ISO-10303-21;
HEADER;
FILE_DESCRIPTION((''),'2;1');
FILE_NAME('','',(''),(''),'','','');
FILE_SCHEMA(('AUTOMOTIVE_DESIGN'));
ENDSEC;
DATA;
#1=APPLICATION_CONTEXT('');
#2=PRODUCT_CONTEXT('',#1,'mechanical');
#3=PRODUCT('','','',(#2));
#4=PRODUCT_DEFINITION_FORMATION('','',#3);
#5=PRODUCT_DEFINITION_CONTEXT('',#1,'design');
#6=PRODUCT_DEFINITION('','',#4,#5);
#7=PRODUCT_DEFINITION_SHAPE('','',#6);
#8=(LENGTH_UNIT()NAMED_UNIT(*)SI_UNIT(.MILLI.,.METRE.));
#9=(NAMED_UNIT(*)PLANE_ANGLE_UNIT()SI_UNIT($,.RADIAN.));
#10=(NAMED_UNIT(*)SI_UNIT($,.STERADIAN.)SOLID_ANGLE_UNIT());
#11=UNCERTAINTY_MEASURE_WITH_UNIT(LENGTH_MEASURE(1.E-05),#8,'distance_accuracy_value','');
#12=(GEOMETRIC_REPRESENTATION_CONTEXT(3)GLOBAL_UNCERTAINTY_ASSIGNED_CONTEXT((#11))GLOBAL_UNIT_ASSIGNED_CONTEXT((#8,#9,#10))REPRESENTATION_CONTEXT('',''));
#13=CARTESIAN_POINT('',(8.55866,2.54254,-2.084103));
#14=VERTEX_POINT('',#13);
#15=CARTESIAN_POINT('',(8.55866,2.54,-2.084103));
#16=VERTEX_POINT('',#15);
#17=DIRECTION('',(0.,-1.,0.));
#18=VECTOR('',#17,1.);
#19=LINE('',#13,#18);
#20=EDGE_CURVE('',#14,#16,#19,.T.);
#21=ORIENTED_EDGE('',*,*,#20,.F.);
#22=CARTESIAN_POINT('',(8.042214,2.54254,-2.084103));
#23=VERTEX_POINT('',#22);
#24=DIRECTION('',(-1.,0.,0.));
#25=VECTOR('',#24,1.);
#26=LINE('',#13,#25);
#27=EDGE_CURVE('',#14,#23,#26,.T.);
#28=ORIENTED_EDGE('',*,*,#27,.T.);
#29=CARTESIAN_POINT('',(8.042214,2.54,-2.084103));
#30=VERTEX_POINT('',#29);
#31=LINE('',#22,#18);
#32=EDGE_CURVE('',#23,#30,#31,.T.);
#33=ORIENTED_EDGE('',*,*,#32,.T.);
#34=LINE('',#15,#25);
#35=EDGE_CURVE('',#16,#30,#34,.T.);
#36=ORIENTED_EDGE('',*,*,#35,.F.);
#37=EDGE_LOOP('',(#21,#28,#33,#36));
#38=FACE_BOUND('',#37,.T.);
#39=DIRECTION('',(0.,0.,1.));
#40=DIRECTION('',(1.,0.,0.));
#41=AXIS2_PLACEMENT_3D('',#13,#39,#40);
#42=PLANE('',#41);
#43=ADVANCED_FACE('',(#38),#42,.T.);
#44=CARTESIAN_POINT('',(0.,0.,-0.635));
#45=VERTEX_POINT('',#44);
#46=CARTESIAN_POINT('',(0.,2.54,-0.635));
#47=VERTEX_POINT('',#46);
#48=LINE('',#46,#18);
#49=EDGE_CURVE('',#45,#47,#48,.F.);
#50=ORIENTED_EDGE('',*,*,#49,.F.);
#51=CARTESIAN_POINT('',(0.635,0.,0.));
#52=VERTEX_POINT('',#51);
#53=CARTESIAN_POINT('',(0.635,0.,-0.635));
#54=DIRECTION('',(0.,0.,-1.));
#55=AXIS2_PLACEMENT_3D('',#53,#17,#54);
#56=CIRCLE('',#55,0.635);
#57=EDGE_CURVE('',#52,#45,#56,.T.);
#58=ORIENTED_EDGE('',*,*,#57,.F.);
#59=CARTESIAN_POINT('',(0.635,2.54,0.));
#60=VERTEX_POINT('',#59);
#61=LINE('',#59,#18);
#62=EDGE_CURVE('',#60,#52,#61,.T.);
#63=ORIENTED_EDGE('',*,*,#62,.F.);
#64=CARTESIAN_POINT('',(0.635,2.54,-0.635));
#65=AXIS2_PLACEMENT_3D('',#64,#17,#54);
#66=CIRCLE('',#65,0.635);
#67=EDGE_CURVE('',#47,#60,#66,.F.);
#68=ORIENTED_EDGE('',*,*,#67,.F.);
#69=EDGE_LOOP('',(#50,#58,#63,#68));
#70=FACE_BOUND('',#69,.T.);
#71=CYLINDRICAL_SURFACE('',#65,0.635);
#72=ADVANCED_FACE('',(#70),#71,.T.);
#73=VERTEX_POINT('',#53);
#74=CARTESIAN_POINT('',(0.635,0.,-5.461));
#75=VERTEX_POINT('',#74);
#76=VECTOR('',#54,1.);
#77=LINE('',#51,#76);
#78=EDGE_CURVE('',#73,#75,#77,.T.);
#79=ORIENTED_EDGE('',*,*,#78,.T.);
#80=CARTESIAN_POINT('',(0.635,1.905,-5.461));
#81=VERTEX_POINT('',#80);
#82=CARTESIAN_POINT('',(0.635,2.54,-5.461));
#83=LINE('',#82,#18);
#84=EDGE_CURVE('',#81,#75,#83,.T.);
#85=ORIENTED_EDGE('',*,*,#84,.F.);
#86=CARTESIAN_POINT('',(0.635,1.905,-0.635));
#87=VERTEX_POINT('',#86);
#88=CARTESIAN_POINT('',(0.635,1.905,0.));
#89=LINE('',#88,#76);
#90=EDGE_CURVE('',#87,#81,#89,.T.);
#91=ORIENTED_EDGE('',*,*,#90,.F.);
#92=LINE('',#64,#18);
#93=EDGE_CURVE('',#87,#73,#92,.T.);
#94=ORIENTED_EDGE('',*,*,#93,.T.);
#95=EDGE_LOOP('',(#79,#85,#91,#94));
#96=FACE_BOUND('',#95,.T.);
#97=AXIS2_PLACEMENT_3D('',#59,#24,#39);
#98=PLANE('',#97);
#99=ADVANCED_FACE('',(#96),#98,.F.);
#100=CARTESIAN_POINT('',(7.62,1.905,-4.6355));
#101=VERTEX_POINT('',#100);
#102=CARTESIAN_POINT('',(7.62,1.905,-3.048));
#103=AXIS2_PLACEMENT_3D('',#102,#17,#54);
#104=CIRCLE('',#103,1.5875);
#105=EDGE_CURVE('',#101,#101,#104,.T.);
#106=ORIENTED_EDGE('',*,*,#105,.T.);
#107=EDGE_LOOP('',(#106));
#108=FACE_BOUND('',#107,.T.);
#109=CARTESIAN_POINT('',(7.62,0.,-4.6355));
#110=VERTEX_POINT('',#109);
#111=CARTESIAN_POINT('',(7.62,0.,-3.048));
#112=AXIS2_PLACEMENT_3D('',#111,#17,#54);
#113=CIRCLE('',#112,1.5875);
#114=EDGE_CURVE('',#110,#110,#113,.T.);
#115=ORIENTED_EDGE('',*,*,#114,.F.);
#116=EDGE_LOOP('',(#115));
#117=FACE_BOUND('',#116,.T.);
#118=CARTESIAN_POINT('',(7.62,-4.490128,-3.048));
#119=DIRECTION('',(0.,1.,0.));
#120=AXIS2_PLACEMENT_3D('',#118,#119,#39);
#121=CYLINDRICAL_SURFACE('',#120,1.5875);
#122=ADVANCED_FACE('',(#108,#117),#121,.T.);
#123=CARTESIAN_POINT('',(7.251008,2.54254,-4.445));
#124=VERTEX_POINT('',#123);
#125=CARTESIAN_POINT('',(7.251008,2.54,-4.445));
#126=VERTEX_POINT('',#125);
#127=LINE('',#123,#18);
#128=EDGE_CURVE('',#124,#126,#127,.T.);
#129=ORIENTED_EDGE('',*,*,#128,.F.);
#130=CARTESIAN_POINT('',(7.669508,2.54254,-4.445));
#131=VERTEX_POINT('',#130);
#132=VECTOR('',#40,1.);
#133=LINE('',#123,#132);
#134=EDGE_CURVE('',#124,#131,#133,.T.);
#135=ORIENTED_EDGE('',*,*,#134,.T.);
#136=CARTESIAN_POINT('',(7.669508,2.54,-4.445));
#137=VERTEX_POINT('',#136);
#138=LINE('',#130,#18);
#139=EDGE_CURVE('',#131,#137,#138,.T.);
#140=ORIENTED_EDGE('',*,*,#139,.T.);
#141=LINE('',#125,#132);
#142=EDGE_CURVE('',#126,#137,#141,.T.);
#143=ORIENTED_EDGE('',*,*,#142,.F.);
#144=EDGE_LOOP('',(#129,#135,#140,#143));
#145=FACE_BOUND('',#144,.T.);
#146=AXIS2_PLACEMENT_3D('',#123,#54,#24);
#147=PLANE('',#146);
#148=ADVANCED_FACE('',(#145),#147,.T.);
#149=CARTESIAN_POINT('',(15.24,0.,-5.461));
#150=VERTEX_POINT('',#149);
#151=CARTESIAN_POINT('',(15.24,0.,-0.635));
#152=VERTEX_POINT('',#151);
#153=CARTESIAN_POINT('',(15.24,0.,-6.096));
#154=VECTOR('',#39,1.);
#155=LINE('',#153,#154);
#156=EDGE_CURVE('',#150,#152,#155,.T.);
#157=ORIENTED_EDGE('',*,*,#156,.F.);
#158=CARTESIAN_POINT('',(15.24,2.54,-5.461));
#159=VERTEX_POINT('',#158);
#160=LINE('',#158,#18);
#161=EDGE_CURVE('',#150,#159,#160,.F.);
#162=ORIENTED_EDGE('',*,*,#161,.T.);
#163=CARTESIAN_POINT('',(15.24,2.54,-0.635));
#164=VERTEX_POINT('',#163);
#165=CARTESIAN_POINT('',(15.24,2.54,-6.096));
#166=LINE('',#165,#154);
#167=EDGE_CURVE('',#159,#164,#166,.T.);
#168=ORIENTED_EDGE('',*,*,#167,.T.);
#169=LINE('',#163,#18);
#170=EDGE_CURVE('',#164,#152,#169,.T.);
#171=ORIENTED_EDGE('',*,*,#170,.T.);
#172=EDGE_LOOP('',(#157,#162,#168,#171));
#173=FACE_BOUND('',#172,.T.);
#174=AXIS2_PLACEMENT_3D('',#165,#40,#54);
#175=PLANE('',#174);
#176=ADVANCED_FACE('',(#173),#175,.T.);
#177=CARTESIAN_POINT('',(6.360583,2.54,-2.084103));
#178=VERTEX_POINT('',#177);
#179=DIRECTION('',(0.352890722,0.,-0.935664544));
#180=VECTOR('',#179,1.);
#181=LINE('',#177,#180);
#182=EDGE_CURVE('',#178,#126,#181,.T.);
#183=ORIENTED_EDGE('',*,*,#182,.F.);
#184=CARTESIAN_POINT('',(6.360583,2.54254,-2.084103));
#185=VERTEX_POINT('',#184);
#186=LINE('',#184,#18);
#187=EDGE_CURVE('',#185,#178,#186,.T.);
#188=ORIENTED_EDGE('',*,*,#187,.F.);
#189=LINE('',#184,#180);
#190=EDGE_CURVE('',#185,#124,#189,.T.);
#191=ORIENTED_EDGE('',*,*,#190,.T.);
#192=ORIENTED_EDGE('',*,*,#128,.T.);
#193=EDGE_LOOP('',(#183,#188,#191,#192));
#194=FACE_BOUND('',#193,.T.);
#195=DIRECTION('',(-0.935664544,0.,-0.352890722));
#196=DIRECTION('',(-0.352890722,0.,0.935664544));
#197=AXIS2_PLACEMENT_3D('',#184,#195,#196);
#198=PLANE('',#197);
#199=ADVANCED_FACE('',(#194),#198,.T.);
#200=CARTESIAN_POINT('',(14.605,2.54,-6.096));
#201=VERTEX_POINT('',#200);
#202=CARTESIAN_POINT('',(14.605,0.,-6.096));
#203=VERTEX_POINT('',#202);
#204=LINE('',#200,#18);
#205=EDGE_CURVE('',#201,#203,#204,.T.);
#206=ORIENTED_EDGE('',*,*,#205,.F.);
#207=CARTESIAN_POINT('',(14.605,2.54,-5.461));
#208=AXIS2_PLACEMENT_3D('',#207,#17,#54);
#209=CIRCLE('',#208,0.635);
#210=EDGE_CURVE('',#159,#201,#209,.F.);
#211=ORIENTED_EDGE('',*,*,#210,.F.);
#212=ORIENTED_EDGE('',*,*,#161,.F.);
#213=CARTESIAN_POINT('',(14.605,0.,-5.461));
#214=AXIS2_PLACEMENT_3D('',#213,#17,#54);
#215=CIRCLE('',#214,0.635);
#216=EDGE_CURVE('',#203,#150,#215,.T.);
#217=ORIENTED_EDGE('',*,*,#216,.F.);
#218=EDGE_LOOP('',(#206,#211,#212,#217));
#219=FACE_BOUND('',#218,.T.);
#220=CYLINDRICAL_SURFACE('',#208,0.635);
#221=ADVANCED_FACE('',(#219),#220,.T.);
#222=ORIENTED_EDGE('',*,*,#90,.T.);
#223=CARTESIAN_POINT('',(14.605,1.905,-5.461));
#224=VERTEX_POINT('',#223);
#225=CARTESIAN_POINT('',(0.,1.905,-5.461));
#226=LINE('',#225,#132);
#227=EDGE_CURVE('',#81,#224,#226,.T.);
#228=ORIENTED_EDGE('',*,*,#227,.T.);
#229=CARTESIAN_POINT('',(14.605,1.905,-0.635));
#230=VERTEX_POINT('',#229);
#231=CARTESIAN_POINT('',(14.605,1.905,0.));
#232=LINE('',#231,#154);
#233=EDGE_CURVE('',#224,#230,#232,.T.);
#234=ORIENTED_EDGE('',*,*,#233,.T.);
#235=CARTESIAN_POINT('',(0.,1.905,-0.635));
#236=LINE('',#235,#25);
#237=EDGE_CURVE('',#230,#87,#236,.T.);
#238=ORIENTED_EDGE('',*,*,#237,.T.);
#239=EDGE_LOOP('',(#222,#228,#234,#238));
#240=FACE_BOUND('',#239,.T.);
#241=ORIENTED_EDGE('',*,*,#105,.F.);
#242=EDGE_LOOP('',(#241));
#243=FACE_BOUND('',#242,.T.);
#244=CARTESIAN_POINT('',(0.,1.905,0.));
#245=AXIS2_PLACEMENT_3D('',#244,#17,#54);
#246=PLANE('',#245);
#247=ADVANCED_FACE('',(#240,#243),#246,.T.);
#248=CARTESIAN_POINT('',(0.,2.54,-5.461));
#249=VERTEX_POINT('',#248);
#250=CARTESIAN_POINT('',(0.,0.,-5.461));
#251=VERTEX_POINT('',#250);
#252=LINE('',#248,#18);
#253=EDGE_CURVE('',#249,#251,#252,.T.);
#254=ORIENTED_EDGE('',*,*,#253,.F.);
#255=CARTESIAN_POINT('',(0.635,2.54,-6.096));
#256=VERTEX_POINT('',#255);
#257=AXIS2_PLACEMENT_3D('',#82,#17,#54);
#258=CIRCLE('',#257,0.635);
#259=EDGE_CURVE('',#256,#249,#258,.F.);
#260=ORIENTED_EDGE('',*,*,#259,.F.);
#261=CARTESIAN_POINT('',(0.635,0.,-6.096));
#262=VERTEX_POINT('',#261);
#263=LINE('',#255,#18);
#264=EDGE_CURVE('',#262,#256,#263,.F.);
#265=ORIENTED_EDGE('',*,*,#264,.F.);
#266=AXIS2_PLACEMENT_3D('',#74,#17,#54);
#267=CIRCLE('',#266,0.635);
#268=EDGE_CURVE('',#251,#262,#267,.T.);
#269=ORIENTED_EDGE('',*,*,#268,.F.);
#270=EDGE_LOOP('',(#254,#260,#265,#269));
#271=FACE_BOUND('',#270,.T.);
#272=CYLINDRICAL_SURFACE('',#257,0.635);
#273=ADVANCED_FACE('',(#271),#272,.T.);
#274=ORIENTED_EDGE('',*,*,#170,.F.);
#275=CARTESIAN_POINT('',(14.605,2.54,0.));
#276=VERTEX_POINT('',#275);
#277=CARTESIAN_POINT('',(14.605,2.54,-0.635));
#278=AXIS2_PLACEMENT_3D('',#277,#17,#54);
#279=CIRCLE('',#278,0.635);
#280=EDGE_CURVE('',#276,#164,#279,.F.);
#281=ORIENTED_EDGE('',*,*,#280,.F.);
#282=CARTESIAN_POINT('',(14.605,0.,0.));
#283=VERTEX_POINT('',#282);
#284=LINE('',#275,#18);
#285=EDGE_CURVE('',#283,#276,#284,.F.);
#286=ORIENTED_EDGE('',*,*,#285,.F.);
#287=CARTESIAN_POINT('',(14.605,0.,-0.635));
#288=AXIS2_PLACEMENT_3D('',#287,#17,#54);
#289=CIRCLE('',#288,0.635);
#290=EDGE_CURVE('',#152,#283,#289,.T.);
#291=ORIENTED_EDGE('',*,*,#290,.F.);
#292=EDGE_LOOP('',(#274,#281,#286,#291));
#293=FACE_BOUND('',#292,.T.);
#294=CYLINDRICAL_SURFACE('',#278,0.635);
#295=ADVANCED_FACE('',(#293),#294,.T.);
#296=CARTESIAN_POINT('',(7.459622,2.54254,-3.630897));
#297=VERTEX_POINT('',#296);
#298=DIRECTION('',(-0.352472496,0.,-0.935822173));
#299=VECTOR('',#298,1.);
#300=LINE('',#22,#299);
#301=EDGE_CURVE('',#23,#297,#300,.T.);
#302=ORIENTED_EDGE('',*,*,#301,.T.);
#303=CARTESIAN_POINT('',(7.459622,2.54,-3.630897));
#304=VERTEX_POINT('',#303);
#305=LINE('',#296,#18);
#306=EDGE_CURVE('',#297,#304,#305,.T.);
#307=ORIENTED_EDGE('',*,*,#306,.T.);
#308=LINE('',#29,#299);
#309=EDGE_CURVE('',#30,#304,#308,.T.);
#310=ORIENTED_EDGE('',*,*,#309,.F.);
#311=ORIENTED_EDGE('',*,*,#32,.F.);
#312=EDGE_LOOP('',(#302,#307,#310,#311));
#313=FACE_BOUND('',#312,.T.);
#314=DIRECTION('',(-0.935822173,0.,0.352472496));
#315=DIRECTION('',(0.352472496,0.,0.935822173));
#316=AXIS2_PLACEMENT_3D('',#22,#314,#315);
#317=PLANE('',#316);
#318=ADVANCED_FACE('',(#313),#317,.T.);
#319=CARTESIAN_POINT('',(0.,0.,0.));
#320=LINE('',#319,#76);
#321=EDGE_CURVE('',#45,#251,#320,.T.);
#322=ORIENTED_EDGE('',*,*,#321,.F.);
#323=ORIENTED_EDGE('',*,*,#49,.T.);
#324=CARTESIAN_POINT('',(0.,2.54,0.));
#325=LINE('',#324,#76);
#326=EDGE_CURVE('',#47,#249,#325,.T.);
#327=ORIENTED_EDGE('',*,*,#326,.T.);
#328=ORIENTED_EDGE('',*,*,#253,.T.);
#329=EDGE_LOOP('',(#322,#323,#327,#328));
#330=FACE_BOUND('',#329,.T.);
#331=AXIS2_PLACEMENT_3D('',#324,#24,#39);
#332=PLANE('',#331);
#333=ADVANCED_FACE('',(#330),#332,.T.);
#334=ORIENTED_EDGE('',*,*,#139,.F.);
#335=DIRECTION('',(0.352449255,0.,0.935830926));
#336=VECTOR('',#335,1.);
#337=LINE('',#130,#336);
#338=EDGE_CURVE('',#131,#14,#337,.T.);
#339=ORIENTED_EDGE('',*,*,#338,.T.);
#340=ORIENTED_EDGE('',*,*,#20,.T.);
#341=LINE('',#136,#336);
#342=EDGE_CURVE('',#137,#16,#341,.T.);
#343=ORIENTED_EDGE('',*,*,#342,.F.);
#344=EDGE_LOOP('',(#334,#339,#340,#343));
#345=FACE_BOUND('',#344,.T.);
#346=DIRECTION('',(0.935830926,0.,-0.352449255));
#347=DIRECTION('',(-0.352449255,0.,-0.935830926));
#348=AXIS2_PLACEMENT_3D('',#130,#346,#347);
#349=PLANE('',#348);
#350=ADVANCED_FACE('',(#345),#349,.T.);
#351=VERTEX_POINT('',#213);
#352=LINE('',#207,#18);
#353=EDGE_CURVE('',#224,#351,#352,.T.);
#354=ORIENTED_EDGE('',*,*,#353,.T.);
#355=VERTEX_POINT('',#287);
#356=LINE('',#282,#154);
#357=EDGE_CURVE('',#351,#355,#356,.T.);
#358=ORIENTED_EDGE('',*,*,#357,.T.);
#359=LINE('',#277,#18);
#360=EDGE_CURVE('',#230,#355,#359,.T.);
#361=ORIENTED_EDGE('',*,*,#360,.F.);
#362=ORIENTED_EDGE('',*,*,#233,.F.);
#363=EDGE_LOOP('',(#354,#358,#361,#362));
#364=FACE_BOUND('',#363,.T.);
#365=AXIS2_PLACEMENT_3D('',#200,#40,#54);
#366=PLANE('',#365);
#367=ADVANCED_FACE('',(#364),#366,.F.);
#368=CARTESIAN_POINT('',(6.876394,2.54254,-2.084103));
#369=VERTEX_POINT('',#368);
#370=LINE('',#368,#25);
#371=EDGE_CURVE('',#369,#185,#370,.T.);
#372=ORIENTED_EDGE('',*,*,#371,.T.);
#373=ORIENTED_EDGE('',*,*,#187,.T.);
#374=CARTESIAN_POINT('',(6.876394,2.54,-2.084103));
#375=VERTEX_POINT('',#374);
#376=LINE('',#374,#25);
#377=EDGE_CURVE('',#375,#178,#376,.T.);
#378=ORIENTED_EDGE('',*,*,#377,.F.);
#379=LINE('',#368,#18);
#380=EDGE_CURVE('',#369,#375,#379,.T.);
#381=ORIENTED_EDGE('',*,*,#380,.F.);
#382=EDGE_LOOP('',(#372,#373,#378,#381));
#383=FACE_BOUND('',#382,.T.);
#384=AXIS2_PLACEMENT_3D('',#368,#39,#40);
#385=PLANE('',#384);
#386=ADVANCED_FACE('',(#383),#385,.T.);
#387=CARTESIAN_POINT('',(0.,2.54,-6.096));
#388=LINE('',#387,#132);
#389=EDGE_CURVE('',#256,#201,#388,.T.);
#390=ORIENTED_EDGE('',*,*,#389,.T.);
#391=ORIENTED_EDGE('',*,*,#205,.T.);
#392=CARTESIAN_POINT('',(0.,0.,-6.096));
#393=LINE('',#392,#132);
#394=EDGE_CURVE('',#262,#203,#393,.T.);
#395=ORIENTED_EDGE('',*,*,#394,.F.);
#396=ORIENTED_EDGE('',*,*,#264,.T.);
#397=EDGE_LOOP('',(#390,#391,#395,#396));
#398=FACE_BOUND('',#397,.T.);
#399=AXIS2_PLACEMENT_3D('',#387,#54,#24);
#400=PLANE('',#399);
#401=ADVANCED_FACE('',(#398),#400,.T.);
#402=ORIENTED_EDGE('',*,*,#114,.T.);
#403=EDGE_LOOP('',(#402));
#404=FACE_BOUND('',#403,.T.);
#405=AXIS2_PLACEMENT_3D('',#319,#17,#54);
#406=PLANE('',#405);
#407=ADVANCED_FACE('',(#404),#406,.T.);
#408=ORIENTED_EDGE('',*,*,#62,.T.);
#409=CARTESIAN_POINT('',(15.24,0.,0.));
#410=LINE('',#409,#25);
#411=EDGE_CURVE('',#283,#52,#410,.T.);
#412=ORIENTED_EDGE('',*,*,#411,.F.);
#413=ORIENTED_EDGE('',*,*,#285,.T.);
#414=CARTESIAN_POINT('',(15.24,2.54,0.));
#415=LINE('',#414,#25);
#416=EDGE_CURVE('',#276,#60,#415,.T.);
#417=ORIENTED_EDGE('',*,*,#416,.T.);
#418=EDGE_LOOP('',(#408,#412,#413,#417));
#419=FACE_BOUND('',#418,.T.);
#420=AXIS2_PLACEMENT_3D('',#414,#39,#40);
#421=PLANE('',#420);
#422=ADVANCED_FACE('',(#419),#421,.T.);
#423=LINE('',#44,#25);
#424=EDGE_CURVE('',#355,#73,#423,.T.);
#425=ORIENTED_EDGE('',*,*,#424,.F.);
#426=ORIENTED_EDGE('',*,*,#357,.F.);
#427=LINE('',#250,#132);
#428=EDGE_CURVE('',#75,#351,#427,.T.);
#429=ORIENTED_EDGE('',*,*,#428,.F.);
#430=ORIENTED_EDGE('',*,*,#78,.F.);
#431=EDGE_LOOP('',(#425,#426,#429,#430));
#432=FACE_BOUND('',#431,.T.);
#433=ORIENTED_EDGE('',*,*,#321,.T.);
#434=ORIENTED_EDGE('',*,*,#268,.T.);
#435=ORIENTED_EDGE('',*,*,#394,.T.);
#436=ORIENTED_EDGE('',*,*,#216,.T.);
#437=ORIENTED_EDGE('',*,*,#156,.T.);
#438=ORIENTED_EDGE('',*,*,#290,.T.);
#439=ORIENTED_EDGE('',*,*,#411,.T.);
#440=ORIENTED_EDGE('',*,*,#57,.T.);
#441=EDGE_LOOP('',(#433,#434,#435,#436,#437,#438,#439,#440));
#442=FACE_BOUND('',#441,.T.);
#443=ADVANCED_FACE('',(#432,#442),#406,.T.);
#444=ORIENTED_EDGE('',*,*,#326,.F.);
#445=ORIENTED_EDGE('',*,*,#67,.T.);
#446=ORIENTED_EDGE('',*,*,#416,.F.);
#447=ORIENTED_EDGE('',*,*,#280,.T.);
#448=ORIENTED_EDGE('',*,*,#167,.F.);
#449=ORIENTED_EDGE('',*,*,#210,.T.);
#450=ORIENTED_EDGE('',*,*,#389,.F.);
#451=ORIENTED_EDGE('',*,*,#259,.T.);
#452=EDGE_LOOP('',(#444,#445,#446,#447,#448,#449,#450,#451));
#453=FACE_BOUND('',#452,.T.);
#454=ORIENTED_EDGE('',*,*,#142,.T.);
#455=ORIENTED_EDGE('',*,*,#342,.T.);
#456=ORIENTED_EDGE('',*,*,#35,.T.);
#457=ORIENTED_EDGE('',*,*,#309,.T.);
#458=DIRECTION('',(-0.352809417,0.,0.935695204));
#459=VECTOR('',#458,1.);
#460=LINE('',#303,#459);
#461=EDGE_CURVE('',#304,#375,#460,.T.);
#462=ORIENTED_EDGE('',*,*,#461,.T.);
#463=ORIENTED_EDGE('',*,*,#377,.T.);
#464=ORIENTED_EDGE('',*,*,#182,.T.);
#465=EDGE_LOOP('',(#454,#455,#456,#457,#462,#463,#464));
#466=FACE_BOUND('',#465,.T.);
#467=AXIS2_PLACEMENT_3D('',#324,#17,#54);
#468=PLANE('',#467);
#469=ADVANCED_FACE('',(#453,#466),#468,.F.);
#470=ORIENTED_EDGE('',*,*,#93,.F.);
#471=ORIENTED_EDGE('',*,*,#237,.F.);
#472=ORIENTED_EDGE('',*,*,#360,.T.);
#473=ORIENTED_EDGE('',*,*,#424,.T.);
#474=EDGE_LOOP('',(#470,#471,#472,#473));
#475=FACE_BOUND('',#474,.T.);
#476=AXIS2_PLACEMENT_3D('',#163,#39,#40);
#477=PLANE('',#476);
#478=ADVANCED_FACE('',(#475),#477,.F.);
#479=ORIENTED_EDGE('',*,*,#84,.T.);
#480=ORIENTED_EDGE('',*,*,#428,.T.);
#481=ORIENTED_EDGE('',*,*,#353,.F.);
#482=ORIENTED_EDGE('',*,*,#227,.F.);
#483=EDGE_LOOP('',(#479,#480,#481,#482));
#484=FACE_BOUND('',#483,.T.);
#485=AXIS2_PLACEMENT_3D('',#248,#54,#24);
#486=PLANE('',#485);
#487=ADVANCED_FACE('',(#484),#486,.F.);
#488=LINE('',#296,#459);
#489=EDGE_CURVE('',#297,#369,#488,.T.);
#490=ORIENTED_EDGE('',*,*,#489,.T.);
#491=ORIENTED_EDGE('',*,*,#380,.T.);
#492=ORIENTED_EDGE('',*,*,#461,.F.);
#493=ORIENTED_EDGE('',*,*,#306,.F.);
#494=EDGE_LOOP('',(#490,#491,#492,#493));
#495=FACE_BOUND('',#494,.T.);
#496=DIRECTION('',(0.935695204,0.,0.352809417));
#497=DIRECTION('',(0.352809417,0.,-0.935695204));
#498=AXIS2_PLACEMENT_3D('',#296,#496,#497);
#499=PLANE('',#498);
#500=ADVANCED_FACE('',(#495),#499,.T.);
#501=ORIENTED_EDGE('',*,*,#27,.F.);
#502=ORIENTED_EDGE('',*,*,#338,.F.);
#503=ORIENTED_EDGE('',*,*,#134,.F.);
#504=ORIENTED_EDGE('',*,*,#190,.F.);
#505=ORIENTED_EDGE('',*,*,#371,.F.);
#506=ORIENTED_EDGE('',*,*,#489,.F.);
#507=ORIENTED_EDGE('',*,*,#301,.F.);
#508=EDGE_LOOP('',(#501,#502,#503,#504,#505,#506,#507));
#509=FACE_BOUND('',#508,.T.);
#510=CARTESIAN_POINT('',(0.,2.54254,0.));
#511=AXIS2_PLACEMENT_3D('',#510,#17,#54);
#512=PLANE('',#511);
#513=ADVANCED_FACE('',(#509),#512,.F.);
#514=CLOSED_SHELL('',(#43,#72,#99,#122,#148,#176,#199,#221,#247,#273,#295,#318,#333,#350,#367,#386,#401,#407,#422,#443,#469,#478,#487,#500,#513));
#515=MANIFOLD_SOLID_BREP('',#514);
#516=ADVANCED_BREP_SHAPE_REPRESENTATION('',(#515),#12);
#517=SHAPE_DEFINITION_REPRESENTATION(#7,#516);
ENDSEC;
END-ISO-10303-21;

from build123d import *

# Parameters (mm, degrees)
SKETCH1_W           = 15.24
SKETCH1_H           = 6.096
BOSS_EXTRUDE1_DEPTH = 2.54
SHELL1_T            = -0.635
FILLET1_R           = 0.635
SKETCH2_R           = 1.5875
BOSS_EXTRUDE2_DEPTH = 1.905
BOSS_EXTRUDE3_DEPTH = 0.00254


with BuildPart() as part:
    # Sketch1 → Boss-Extrude1 (new body)
    with BuildSketch(Plane(origin=(0, 0, 0), x_dir=(1, 0, 0), z_dir=(0, 1, 0))):
        with Locations((7.62, 3.048)):
            Rectangle(SKETCH1_W, SKETCH1_H)
    extrude(amount=BOSS_EXTRUDE1_DEPTH)

    # Shell1
    shell1_openings = [part.faces().sort_by_distance(p)[0] for p in [
        (7.62, 0, -3.048),
    ]]
    offset(amount=SHELL1_T, openings=shell1_openings, kind=Kind.INTERSECTION)

    # Fillet1
    fillet1_edges = [part.edges().sort_by_distance(p)[0] for p in [
        (0, 1.27, 0),
        (15.24, 1.27, 0),
        (15.24, 1.27, -6.096),
        (0, 1.27, -6.096),
    ]]
    fillet(fillet1_edges, radius=FILLET1_R)

    # Sketch2 → Boss-Extrude2 (add)
    with BuildSketch(Plane.XZ.offset(-1.905)):
        with Locations(Location((7.62, -3.048, 0), (0, 0, 270))):
            Circle(SKETCH2_R)
    extrude(amount=BOSS_EXTRUDE2_DEPTH)

    # Sketch3 → Boss-Extrude3 (add)
    with BuildSketch(Plane(origin=(0, 2.54, 0), x_dir=(1, 0, 0), z_dir=(0, 1, 0))):
        Polygon((7.251008013, 4.445), (7.669507612, 4.445), (8.558660256, 2.084102564), (8.042213942, 2.084102564), (7.459621795, 3.630897436), (6.87639363, 2.084102564), (6.360583333, 2.084102564), align=None)
    extrude(amount=BOSS_EXTRUDE3_DEPTH)


solid = part.part
